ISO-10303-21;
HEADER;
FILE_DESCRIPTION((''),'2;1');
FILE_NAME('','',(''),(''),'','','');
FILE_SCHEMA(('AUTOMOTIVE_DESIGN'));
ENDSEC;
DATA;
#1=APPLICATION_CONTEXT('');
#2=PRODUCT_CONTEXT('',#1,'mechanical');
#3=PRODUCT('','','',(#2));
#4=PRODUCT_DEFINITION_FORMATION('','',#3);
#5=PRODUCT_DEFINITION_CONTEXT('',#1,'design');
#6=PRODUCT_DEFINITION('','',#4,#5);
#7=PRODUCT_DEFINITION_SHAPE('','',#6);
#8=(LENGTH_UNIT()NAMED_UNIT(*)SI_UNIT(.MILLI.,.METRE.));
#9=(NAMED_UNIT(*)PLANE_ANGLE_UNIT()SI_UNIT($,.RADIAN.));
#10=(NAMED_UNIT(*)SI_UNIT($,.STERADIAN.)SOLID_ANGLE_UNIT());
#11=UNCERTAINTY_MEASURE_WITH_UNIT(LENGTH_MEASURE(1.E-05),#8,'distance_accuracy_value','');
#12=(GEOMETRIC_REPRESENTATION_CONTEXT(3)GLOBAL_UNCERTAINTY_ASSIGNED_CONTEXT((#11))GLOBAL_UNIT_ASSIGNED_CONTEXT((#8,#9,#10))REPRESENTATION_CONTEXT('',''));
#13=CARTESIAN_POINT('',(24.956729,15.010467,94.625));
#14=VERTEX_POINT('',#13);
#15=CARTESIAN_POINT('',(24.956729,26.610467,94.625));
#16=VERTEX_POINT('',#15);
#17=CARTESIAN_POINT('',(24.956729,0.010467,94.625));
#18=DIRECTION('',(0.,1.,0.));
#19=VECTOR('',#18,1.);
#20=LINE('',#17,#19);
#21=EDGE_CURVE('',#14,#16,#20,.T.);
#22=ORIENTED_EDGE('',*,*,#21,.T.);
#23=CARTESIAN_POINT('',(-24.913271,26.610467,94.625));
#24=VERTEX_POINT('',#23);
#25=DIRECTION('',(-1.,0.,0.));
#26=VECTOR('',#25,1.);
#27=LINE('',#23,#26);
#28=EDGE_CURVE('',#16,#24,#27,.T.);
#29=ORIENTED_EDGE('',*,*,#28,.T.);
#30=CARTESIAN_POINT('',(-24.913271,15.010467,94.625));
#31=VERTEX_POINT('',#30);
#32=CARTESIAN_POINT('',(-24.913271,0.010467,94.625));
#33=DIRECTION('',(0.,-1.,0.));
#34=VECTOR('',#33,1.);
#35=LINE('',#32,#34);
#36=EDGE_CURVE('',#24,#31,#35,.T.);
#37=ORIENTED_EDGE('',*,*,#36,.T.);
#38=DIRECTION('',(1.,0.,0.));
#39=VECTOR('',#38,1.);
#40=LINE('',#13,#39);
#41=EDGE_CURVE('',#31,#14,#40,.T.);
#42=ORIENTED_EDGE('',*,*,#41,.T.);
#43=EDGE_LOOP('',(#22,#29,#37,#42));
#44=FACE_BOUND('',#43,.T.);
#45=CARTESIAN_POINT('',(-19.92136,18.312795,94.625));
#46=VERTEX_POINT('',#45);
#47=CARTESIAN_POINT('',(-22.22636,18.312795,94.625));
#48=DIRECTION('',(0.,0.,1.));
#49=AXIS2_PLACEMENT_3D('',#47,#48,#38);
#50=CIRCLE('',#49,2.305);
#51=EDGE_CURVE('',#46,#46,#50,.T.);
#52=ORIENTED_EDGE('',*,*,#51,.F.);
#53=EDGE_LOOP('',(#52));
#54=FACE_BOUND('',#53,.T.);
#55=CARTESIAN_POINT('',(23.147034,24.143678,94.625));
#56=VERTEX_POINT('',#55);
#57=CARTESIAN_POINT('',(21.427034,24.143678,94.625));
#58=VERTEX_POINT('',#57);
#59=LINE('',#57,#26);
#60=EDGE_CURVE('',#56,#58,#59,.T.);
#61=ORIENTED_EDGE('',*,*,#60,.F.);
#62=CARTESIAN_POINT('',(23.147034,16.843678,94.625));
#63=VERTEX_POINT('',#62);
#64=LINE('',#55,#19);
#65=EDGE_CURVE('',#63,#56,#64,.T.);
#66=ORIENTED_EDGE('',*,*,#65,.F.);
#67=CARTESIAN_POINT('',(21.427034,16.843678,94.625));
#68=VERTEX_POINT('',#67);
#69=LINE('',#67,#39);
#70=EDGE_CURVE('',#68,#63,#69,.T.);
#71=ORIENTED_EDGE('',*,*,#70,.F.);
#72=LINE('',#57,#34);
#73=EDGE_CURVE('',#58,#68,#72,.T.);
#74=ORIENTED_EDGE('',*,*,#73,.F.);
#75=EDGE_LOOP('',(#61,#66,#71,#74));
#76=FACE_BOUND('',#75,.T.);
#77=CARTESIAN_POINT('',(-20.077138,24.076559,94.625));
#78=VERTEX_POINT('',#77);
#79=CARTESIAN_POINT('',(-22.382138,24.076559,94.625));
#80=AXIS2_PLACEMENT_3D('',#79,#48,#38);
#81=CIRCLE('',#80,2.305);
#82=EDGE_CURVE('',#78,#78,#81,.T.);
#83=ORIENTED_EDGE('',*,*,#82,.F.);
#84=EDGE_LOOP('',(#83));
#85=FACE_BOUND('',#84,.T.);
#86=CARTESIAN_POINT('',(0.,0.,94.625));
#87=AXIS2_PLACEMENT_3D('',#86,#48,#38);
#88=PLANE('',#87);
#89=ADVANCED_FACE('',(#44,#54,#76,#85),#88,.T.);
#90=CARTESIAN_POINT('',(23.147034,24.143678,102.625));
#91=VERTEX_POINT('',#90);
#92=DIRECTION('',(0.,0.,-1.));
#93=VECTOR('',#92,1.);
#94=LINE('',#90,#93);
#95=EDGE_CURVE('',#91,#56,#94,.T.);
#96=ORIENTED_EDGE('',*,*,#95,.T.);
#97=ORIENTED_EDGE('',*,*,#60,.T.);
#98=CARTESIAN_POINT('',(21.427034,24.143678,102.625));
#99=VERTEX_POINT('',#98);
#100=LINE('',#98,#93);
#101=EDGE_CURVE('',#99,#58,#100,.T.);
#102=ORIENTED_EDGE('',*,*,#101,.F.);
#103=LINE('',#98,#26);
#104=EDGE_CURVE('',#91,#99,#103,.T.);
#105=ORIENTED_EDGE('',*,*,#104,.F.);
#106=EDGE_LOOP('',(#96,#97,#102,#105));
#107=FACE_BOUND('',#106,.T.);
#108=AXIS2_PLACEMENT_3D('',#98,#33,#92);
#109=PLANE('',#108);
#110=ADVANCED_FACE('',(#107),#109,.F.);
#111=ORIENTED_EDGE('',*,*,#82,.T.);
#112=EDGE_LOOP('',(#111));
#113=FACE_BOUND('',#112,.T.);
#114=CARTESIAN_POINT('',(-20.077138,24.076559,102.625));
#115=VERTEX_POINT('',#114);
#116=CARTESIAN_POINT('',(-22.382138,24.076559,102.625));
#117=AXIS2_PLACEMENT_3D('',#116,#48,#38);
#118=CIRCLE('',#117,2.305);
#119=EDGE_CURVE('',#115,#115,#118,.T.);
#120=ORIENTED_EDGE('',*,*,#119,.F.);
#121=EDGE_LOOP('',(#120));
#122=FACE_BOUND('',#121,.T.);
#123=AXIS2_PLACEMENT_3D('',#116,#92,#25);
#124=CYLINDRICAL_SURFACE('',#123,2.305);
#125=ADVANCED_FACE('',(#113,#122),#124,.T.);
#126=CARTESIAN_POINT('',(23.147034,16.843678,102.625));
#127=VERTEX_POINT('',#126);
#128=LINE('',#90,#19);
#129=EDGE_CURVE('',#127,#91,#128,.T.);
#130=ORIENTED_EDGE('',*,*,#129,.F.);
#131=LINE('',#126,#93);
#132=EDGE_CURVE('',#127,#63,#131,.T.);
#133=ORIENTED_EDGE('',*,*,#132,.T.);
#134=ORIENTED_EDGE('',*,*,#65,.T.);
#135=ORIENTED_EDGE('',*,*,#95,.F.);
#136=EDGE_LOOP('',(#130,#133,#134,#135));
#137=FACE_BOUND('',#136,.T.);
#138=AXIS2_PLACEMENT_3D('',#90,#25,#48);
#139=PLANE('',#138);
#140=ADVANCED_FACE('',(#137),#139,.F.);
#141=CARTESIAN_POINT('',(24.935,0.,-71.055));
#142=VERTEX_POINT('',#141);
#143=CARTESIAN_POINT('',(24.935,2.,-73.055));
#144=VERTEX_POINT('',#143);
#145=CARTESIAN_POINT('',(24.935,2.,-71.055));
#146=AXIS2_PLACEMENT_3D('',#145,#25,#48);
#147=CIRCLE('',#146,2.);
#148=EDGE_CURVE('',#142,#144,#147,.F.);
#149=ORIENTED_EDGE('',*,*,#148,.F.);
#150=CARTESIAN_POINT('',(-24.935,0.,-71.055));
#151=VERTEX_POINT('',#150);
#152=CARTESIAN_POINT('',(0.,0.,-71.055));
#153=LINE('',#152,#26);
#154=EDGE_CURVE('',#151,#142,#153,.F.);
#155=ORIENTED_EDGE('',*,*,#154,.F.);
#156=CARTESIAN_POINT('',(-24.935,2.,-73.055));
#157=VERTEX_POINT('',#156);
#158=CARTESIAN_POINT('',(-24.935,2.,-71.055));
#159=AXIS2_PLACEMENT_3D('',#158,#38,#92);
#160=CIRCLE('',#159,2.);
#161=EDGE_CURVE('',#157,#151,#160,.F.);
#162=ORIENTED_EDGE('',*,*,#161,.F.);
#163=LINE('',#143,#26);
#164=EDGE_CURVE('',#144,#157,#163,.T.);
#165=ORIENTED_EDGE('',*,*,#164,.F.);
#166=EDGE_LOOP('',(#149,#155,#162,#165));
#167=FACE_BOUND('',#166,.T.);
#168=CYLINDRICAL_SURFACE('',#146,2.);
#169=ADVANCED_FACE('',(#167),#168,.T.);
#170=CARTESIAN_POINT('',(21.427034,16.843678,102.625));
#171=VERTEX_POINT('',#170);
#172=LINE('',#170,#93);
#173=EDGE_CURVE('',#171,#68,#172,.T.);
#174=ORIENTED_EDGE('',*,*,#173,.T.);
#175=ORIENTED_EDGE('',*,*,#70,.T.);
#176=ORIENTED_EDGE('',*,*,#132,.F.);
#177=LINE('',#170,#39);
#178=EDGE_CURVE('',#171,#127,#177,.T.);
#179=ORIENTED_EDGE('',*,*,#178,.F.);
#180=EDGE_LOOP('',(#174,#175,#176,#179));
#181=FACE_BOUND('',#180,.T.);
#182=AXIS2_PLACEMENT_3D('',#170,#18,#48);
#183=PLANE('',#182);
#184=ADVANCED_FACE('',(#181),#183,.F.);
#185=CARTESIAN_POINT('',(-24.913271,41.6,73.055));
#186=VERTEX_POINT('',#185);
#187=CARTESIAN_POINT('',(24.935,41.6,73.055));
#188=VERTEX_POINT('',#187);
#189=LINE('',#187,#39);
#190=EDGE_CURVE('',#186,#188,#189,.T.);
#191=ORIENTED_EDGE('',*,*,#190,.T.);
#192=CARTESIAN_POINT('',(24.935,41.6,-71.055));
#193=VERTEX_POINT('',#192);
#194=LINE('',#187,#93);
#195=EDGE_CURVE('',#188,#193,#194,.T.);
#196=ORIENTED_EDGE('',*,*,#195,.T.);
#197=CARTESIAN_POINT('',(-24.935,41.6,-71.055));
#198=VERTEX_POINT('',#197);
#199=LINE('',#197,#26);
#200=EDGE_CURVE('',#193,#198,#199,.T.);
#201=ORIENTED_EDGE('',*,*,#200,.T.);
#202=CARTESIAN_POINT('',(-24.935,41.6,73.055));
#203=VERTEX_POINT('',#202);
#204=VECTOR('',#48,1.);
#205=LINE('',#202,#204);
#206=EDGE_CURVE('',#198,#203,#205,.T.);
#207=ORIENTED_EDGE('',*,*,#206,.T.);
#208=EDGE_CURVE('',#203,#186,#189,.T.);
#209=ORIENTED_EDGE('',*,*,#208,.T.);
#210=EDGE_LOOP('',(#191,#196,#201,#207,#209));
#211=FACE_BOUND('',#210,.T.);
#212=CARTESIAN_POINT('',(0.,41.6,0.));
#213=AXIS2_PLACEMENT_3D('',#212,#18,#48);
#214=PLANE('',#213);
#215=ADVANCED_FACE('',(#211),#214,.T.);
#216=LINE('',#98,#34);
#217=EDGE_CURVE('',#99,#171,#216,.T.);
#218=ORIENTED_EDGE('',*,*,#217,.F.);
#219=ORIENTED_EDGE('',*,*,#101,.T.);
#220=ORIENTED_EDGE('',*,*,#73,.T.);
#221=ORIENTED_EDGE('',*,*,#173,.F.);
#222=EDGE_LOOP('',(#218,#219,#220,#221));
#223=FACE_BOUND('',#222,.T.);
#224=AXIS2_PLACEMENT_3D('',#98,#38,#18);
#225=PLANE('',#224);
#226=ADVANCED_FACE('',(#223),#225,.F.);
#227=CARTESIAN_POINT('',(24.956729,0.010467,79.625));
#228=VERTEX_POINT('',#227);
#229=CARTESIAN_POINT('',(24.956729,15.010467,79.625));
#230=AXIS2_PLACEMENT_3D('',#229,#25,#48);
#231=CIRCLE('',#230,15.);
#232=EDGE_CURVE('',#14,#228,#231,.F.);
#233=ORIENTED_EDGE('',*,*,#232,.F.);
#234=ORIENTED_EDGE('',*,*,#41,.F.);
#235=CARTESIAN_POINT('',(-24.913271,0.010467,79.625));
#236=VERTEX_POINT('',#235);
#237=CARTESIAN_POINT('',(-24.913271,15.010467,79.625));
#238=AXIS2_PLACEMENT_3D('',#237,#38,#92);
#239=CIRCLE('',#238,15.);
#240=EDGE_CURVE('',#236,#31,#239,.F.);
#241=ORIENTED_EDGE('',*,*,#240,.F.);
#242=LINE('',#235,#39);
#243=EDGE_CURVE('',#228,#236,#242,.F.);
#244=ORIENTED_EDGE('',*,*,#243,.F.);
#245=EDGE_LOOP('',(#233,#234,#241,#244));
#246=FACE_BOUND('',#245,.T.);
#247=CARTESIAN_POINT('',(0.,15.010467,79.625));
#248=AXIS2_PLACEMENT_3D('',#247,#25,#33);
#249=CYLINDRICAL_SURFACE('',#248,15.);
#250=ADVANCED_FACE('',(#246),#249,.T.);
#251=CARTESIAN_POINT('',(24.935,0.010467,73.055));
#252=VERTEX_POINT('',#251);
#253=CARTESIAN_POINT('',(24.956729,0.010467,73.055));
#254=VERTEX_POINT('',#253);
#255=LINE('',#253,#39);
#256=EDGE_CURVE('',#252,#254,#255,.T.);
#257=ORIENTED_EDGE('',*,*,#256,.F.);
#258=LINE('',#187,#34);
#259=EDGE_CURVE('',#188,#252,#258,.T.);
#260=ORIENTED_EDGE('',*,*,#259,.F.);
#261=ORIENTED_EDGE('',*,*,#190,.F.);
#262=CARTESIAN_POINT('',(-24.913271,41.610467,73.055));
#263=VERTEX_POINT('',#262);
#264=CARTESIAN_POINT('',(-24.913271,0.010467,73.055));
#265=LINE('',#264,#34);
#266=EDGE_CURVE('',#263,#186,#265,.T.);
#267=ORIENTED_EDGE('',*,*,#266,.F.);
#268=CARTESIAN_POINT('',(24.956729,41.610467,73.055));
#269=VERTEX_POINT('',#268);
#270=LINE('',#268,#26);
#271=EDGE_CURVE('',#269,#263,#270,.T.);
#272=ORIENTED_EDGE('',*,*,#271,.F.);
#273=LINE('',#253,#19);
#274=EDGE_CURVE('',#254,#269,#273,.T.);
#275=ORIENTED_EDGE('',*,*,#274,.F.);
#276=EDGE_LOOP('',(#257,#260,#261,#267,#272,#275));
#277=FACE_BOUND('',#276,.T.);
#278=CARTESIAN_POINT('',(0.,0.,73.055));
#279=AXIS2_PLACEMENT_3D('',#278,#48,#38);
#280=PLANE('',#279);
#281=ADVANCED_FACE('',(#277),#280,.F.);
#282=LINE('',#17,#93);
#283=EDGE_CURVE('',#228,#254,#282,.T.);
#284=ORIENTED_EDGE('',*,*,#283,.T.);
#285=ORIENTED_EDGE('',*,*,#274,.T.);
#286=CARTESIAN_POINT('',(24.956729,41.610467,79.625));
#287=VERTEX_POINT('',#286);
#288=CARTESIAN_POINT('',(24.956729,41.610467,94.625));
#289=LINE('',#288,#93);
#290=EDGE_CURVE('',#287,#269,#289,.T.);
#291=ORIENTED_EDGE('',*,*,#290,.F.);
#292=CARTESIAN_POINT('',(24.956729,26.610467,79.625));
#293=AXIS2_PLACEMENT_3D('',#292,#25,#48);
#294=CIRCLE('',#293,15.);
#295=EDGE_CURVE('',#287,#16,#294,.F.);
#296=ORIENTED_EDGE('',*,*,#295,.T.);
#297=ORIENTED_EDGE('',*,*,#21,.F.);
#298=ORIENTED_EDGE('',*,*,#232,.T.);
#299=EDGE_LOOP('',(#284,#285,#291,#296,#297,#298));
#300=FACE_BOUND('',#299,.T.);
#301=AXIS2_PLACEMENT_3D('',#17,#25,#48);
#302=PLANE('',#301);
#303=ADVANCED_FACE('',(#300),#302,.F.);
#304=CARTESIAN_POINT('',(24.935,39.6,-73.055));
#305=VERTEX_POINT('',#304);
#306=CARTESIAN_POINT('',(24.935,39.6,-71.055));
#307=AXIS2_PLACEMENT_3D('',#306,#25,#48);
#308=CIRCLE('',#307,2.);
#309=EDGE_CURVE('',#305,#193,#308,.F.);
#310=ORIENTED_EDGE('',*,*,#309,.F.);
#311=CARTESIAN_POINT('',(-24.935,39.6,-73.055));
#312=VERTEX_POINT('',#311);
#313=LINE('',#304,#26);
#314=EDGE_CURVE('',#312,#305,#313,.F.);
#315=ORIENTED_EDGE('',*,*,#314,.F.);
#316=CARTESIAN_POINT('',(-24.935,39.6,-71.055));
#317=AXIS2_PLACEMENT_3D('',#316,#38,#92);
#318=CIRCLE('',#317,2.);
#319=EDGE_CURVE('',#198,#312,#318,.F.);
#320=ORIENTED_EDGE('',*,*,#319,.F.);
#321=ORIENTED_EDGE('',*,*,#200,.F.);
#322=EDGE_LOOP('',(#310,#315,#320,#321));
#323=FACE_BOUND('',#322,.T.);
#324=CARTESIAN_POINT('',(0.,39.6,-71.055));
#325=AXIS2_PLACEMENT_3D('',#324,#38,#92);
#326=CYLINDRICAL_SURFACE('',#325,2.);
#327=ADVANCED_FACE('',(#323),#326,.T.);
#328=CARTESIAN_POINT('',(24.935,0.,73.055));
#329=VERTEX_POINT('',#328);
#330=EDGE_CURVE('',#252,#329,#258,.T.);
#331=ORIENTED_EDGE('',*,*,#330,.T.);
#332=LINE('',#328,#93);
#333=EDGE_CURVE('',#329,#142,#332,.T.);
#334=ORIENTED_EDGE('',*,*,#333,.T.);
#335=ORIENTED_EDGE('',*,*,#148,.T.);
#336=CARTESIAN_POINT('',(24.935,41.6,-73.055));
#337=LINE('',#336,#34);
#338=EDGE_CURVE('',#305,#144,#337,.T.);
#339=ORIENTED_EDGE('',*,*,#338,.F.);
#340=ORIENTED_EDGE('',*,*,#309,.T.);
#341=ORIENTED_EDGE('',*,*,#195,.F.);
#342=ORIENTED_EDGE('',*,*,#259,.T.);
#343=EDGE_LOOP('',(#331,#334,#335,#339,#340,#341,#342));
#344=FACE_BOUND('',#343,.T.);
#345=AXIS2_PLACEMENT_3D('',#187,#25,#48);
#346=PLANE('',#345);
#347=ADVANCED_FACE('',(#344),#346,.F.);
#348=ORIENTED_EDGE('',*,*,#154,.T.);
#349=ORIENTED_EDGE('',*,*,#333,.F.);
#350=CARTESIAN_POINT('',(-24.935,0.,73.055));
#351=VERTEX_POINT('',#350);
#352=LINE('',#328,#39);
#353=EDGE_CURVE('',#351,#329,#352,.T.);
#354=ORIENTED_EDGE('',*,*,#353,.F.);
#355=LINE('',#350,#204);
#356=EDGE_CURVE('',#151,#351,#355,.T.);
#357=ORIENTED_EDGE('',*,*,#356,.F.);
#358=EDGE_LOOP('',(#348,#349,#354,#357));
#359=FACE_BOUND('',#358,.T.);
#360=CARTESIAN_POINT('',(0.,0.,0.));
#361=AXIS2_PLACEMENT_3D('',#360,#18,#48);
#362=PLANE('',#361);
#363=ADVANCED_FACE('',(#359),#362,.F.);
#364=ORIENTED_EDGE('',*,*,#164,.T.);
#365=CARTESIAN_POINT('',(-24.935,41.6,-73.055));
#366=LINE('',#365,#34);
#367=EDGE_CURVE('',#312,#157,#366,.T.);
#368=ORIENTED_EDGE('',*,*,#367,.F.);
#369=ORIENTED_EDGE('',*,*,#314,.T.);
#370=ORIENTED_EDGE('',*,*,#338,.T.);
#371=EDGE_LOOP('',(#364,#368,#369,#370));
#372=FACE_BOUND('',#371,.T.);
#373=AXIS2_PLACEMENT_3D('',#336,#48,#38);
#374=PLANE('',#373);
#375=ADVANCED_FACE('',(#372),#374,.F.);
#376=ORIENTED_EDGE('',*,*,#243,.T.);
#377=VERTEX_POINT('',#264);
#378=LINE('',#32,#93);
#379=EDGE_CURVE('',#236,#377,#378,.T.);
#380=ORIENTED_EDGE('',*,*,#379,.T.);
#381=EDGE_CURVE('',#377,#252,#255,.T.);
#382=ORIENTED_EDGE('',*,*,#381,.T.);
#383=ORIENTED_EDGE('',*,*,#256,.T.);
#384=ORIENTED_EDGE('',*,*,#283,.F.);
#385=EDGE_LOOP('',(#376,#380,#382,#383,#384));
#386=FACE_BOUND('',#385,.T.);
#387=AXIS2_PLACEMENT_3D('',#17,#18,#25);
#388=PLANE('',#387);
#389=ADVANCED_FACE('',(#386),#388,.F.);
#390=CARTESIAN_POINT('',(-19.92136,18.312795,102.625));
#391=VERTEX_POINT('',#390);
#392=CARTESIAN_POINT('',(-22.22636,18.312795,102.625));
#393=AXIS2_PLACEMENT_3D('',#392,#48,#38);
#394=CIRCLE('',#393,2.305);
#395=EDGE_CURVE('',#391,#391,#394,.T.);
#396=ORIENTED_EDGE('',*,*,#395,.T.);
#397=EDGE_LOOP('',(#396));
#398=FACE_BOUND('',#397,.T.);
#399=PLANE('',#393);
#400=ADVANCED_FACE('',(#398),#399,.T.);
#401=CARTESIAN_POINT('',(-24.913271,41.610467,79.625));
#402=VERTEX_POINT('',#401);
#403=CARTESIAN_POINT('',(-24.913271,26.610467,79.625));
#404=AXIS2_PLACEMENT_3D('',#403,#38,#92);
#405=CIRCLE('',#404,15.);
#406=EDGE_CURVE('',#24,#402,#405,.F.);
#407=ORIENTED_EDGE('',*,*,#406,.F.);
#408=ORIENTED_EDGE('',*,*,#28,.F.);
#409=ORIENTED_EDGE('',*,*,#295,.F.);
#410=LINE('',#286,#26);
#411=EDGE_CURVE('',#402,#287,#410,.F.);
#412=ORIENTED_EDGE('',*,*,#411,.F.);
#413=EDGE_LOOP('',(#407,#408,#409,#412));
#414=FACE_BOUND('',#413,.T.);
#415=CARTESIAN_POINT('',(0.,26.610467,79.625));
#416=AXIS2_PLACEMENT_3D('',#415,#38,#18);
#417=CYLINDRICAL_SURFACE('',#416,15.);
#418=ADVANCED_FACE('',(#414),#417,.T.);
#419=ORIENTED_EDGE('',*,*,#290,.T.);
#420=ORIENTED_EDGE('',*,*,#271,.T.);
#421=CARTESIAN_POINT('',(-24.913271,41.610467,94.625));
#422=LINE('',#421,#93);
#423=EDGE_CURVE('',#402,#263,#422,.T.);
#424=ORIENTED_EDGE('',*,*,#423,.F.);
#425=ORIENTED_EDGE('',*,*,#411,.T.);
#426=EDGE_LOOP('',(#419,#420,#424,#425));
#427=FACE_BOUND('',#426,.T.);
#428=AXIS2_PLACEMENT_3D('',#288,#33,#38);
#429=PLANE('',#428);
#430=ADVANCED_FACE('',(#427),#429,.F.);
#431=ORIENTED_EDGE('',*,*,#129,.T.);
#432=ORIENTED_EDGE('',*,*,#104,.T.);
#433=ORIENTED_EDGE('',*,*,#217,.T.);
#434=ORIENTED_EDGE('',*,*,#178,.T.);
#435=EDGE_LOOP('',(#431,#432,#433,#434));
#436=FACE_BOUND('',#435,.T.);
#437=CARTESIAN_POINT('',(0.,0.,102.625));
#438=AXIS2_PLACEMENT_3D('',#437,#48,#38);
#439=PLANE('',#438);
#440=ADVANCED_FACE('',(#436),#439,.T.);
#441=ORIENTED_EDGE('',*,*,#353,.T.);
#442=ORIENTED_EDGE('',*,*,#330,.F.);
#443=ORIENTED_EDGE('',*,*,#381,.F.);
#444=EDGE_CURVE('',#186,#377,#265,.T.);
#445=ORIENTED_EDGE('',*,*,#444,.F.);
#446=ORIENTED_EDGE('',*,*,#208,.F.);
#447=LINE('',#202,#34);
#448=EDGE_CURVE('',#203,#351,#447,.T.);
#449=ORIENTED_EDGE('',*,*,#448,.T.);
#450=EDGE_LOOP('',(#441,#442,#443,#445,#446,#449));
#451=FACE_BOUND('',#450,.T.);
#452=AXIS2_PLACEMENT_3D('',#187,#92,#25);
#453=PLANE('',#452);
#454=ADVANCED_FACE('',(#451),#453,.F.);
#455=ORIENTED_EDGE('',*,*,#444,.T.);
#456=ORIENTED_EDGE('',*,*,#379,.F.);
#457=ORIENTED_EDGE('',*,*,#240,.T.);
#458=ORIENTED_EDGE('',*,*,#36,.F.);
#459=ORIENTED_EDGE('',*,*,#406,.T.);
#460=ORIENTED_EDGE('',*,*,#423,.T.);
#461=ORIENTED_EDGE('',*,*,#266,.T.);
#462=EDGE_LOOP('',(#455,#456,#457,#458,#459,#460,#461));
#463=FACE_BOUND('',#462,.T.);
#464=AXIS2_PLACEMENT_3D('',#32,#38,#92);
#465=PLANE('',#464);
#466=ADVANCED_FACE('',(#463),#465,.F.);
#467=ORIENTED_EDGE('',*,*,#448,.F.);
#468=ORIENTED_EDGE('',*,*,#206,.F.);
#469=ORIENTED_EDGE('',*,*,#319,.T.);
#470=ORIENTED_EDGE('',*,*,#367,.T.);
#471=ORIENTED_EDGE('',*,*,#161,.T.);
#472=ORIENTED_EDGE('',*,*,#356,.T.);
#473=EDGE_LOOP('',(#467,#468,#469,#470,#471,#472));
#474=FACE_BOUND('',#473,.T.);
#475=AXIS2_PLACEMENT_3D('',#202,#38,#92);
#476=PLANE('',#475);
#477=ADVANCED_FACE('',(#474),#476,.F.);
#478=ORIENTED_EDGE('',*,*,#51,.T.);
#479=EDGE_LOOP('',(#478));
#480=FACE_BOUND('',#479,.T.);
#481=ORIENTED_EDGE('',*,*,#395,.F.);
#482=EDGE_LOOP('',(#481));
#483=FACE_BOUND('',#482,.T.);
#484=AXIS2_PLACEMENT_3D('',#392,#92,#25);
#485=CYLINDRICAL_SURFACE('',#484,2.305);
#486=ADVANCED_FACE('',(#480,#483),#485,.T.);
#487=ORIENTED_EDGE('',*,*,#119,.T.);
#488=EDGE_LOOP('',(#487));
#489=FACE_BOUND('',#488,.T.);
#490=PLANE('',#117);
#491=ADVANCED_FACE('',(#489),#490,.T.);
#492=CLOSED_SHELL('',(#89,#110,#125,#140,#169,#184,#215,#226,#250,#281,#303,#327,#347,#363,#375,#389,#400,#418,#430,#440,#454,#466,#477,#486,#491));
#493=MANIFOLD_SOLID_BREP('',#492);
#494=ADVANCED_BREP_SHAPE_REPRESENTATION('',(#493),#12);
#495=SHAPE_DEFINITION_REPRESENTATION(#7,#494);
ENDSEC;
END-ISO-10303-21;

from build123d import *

# Parameters (mm, degrees)
SKETCH1_W           = 49.87
SKETCH1_H           = 146.11
BOSS_EXTRUDE1_DEPTH = 41.6
SKETCH2_W           = 49.87
SKETCH2_H           = 41.6
BOSS_EXTRUDE2_DEPTH = 21.57
FILLET2_R           = 15
SKETCH6_R           = 2.305
BOSS_EXTRUDE4_DEPTH = 8
SKETCH7_R           = 2.305
BOSS_EXTRUDE5_DEPTH = 8
SKETCH8_W           = 1.72
SKETCH8_H           = 7.3
BOSS_EXTRUDE6_DEPTH = 8
FILLET3_R           = 2


with BuildPart() as part:
    # Sketch1 → Boss-Extrude1 (new body)
    with BuildSketch(Plane(origin=(0, 0, 0), x_dir=(1, 0, 0), z_dir=(0, 1, 0))):
        Rectangle(SKETCH1_W, SKETCH1_H)
    extrude(amount=BOSS_EXTRUDE1_DEPTH)

    # Sketch2 → Boss-Extrude2 (add)
    with BuildSketch(Plane.XY.offset(73.055)):
        with Locations((0.021729079, 20.81046652)):
            Rectangle(SKETCH2_W, SKETCH2_H)
    extrude(amount=BOSS_EXTRUDE2_DEPTH)

    # Fillet2
    fillet2_edges = [part.edges().sort_by_distance(p)[0] for p in [
        (0.021729079, 0.01046652, 94.625),
        (0.021729079, 41.61046652, 94.625),
    ]]
    fillet(fillet2_edges, radius=FILLET2_R)

    # Sketch6 → Boss-Extrude4 (add)
    with BuildSketch(Plane.XY.offset(94.625)):
        with Locations((-22.382137535, 24.07655878)):
            Circle(SKETCH6_R)
    extrude(amount=BOSS_EXTRUDE4_DEPTH)

    # Sketch7 → Boss-Extrude5 (add)
    with BuildSketch(Plane.XY.offset(94.625)):
        with Locations((-22.226360129, 18.312794768)):
            Circle(SKETCH7_R)
    extrude(amount=BOSS_EXTRUDE5_DEPTH)

    # Sketch8 → Boss-Extrude6 (add)
    with BuildSketch(Plane.XY.offset(94.625)):
        with Locations((22.28703356, 20.493678449)):
            Rectangle(SKETCH8_W, SKETCH8_H)
    extrude(amount=BOSS_EXTRUDE6_DEPTH)

    # Fillet3
    fillet3_edges = [part.edges().sort_by_distance(p)[0] for p in [
        (0, 41.6, -73.055),
        (0, 0, -73.055),
    ]]
    fillet(fillet3_edges, radius=FILLET3_R)


solid = part.part
